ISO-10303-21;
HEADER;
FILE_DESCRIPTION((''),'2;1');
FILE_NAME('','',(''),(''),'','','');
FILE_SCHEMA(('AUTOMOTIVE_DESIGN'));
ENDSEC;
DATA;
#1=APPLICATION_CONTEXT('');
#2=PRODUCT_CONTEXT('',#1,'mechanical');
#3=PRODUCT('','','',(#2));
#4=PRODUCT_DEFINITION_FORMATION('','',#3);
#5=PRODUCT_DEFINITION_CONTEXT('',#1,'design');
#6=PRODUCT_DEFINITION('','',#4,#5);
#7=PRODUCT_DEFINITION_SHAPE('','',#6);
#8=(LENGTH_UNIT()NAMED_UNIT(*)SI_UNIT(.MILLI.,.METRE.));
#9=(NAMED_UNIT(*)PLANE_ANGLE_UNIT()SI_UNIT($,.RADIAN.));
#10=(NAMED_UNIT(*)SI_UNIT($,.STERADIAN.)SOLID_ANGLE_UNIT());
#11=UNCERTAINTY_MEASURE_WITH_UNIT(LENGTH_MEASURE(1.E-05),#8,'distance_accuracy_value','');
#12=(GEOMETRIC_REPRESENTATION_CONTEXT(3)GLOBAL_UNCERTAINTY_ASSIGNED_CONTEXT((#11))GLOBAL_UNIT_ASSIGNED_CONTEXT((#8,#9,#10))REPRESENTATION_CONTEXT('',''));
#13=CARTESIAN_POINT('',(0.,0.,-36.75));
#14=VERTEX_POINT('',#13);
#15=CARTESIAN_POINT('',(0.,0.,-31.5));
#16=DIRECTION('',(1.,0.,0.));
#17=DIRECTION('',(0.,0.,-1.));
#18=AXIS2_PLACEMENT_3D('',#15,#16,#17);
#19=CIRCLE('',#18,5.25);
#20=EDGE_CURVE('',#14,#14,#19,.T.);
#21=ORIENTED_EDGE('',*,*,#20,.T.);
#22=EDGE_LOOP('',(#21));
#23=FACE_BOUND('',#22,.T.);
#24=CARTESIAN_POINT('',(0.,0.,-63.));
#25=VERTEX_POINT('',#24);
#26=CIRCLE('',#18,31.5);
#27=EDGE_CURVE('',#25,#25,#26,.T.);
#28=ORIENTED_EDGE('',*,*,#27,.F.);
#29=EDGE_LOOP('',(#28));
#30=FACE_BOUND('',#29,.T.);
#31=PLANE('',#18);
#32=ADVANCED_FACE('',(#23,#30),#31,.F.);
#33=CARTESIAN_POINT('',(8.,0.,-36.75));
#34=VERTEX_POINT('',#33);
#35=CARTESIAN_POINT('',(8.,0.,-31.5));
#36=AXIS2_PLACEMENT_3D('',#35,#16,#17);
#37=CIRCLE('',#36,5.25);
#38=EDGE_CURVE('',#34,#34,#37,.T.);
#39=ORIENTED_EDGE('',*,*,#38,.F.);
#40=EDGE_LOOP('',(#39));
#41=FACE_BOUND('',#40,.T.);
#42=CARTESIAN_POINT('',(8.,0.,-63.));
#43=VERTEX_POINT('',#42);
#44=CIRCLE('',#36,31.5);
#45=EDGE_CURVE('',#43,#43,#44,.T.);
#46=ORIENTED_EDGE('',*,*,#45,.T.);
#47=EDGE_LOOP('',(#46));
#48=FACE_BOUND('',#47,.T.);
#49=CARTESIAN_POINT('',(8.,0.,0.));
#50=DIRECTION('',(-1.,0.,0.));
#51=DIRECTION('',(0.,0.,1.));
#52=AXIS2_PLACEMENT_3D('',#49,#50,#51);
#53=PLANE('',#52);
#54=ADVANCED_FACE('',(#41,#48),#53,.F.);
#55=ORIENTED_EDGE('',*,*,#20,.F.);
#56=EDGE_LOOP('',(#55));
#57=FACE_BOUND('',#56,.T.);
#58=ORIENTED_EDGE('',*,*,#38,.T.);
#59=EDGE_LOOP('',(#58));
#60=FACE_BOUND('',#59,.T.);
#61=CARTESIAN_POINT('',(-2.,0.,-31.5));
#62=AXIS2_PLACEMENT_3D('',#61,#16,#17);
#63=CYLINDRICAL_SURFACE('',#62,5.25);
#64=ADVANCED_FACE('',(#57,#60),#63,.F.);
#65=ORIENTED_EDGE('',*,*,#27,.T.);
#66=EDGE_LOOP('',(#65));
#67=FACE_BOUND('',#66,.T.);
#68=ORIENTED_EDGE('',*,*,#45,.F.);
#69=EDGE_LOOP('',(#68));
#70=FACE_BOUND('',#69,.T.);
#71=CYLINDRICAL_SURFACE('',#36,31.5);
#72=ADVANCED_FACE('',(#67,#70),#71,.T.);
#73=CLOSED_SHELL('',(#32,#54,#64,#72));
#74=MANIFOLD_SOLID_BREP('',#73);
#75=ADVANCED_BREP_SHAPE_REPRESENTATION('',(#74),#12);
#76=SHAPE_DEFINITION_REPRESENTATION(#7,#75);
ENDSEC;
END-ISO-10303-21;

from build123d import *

# Parameters (mm, degrees)
ESQUISSE1_W             = 8
ESQUISSE1_H             = 31.5
ESQUISSE2_R             = 5.25
ENL_V_MAT_EXTRU_1_DEPTH = 10


with BuildPart() as part:
    # Esquisse1 → Révolution1 (revolve)
    with BuildSketch(Plane(origin=(0, 0, 0), x_dir=(1, 0, 0), z_dir=(0, 1, 0)), mode=Mode.PRIVATE) as r_volution1_sk:
        with Locations((4, 15.75)):
            Rectangle(ESQUISSE1_W, ESQUISSE1_H)
    revolve(r_volution1_sk.sketch.rotate(Axis((8, 0, -31.5), (-1, 0, 0)), 180), axis=Axis((8, 0, -31.5), (-1, 0, 0)))

    # Esquisse2 → Enlèv. mat.-Extru.1 (cut)
    with BuildSketch(Plane(origin=(8, 0, 0), x_dir=(0, 0, -1), z_dir=(1, 0, 0))):
        with Locations((31.5, 0)):
            Circle(ESQUISSE2_R)
    extrude(amount=-ENL_V_MAT_EXTRU_1_DEPTH, mode=Mode.SUBTRACT)


solid = part.part
